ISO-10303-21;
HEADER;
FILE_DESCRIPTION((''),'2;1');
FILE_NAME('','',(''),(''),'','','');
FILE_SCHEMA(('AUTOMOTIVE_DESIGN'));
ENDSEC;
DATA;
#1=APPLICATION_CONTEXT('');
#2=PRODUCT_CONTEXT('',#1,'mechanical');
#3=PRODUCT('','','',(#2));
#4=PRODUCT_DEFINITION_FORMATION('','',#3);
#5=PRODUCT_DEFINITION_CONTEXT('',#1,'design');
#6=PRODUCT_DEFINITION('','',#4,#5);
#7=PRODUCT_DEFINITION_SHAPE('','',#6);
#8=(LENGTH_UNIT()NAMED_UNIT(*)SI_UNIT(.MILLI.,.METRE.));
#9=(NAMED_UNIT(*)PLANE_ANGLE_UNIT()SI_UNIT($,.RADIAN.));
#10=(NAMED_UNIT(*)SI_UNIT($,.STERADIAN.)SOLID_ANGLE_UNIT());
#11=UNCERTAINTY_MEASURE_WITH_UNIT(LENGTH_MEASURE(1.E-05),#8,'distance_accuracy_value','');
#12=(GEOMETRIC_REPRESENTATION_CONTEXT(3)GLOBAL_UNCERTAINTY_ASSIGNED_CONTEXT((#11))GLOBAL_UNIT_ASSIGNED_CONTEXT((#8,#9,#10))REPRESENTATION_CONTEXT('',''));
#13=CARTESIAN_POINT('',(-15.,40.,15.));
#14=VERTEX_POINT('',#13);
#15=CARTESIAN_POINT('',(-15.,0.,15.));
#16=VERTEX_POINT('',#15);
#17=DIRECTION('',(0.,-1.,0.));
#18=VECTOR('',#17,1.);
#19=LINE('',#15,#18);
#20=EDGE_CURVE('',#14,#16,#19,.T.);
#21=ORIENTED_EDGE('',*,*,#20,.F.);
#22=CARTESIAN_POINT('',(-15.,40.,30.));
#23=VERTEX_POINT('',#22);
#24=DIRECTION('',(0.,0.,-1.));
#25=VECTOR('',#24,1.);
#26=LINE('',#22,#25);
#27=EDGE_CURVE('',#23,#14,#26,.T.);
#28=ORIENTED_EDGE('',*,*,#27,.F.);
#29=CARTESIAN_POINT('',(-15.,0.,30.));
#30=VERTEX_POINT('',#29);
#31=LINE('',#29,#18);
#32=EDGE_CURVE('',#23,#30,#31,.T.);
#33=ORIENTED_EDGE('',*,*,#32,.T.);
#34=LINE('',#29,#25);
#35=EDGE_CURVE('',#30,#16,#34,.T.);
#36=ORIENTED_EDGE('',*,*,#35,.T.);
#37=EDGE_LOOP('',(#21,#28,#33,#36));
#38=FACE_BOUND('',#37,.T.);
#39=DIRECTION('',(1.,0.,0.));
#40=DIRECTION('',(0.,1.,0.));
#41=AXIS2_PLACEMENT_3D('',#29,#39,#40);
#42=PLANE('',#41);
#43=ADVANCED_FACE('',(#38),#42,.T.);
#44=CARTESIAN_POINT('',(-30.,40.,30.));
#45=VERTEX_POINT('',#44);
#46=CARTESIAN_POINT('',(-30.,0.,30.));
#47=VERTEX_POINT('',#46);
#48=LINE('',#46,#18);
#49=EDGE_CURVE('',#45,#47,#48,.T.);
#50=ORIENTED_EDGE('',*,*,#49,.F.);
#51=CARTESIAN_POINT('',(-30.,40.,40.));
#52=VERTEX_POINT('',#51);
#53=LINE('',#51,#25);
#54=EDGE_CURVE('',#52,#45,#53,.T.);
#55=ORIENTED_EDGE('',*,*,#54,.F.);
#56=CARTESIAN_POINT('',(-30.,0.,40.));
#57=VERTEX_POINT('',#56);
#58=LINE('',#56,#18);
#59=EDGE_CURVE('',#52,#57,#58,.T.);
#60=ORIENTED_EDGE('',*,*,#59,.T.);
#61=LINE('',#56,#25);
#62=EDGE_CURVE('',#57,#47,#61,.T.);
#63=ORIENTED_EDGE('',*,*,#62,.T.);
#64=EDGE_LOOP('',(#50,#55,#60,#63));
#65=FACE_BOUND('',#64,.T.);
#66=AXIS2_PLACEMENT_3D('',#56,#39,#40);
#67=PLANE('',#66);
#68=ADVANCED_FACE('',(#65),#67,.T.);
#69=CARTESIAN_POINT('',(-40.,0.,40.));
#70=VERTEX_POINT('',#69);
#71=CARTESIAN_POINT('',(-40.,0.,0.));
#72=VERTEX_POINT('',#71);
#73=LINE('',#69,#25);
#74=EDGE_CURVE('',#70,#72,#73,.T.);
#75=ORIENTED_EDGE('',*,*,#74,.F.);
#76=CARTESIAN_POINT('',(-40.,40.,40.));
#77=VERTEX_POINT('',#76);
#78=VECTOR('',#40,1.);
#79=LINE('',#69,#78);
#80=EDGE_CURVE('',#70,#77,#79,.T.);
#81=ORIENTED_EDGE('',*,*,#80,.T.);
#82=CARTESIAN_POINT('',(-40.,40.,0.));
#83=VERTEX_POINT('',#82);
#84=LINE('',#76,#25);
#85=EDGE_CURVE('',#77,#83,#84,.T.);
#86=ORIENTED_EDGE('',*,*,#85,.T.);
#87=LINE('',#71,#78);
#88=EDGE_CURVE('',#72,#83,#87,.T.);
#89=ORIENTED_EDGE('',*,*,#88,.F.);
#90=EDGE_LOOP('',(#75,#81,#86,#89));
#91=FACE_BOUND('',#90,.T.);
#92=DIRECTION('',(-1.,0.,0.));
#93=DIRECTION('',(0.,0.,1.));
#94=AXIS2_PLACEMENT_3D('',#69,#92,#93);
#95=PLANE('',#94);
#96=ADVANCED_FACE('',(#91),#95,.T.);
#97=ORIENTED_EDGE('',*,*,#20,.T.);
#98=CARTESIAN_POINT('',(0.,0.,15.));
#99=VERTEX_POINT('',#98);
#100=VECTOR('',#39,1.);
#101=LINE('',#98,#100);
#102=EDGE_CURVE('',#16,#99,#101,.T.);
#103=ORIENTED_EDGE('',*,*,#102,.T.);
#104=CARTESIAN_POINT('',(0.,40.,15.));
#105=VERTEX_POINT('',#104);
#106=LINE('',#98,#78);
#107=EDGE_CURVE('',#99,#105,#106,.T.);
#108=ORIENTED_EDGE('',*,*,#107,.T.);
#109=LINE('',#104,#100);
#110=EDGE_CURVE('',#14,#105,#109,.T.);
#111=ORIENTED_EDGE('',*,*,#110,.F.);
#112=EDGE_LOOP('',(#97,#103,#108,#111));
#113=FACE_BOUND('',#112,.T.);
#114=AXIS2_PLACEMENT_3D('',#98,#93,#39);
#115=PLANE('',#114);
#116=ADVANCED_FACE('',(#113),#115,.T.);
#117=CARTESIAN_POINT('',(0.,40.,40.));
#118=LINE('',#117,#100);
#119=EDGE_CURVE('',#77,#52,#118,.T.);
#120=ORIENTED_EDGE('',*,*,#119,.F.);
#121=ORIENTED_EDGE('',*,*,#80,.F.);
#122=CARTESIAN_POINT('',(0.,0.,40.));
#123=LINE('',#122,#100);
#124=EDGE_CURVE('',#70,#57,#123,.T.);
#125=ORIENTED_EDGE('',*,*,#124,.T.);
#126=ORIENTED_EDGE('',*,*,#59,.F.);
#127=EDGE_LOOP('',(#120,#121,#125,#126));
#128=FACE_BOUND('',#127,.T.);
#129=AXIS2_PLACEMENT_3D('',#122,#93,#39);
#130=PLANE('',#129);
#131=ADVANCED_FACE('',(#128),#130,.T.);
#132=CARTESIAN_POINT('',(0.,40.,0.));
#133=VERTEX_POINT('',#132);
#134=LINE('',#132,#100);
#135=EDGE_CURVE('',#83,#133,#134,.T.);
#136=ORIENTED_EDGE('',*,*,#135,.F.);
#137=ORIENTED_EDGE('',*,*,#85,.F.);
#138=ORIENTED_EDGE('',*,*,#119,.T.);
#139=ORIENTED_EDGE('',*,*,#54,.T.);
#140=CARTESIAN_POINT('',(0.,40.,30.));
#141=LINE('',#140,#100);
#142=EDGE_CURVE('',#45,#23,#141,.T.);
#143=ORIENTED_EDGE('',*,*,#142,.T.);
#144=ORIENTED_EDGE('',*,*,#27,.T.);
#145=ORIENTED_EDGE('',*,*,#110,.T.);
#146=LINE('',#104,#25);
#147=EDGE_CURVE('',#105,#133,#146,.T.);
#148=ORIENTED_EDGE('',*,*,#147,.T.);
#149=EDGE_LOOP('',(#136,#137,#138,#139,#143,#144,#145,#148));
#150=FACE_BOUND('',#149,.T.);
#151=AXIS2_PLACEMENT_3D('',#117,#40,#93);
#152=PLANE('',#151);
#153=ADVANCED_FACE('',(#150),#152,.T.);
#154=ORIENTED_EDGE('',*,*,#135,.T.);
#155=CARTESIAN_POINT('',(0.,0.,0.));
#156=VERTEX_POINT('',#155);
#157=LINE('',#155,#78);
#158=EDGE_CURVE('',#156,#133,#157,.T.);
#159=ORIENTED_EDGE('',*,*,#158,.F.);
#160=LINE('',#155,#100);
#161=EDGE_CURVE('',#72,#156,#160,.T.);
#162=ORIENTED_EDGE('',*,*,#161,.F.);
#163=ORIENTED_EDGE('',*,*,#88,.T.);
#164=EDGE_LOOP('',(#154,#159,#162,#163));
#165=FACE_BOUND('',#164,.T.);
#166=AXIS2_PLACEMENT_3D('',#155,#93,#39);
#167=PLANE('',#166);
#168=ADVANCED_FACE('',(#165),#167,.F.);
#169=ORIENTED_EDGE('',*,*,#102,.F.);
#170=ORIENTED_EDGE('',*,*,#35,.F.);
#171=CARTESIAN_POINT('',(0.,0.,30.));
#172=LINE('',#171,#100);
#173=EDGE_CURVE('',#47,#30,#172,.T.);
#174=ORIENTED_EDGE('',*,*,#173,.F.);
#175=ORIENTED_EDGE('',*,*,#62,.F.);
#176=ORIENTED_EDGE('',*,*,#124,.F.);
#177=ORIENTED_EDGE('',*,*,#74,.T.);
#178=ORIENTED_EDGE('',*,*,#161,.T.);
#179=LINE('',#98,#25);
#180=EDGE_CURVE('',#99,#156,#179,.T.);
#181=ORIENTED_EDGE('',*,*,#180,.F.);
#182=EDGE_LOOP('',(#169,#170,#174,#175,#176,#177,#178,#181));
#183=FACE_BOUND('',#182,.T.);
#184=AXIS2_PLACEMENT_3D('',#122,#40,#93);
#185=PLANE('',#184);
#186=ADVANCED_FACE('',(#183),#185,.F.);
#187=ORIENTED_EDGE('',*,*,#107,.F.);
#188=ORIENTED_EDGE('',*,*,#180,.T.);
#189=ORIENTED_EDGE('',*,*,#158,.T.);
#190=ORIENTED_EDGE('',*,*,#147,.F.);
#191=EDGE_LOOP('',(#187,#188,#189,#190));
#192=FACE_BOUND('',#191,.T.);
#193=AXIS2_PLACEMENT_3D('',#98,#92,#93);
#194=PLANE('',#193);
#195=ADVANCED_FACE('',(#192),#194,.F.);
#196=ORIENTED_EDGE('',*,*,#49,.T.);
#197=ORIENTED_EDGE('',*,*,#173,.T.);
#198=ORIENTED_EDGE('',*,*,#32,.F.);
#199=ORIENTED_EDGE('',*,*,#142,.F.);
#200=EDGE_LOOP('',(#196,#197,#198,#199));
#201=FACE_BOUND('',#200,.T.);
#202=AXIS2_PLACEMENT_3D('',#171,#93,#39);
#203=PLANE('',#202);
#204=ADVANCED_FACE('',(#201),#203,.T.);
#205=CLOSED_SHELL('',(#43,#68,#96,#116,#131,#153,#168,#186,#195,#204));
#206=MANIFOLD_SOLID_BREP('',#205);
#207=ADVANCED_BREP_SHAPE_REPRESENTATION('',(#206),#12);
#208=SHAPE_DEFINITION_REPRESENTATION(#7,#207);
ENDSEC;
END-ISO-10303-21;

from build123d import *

# Parameters (mm, degrees)
SKETCH1_W           = 10
SKETCH1_H           = 40
BOSS_EXTRUDE3_DEPTH = 40
SKETCH1_5_W         = 15
SKETCH1_5_H         = 40
BOSS_EXTRUDE4_DEPTH = 30
SKETCH1_6_W         = 15
SKETCH1_6_H         = 40
BOSS_EXTRUDE5_DEPTH = 15


with BuildPart() as part:
    # Sketch1 → Boss-Extrude3 (new body)
    with BuildSketch(Plane.XY):
        with Locations((-35, 20)):
            Rectangle(SKETCH1_W, SKETCH1_H)
    extrude(amount=BOSS_EXTRUDE3_DEPTH)

    # Sketch1<5> → Boss-Extrude4 (add)
    with BuildSketch(Plane.XY):
        with Locations((-22.5, 20)):
            Rectangle(SKETCH1_5_W, SKETCH1_5_H)
    extrude(amount=BOSS_EXTRUDE4_DEPTH)

    # Sketch1<6> → Boss-Extrude5 (add)
    with BuildSketch(Plane.XY):
        with Locations((-7.5, 20)):
            Rectangle(SKETCH1_6_W, SKETCH1_6_H)
    extrude(amount=BOSS_EXTRUDE5_DEPTH)


solid = part.part
